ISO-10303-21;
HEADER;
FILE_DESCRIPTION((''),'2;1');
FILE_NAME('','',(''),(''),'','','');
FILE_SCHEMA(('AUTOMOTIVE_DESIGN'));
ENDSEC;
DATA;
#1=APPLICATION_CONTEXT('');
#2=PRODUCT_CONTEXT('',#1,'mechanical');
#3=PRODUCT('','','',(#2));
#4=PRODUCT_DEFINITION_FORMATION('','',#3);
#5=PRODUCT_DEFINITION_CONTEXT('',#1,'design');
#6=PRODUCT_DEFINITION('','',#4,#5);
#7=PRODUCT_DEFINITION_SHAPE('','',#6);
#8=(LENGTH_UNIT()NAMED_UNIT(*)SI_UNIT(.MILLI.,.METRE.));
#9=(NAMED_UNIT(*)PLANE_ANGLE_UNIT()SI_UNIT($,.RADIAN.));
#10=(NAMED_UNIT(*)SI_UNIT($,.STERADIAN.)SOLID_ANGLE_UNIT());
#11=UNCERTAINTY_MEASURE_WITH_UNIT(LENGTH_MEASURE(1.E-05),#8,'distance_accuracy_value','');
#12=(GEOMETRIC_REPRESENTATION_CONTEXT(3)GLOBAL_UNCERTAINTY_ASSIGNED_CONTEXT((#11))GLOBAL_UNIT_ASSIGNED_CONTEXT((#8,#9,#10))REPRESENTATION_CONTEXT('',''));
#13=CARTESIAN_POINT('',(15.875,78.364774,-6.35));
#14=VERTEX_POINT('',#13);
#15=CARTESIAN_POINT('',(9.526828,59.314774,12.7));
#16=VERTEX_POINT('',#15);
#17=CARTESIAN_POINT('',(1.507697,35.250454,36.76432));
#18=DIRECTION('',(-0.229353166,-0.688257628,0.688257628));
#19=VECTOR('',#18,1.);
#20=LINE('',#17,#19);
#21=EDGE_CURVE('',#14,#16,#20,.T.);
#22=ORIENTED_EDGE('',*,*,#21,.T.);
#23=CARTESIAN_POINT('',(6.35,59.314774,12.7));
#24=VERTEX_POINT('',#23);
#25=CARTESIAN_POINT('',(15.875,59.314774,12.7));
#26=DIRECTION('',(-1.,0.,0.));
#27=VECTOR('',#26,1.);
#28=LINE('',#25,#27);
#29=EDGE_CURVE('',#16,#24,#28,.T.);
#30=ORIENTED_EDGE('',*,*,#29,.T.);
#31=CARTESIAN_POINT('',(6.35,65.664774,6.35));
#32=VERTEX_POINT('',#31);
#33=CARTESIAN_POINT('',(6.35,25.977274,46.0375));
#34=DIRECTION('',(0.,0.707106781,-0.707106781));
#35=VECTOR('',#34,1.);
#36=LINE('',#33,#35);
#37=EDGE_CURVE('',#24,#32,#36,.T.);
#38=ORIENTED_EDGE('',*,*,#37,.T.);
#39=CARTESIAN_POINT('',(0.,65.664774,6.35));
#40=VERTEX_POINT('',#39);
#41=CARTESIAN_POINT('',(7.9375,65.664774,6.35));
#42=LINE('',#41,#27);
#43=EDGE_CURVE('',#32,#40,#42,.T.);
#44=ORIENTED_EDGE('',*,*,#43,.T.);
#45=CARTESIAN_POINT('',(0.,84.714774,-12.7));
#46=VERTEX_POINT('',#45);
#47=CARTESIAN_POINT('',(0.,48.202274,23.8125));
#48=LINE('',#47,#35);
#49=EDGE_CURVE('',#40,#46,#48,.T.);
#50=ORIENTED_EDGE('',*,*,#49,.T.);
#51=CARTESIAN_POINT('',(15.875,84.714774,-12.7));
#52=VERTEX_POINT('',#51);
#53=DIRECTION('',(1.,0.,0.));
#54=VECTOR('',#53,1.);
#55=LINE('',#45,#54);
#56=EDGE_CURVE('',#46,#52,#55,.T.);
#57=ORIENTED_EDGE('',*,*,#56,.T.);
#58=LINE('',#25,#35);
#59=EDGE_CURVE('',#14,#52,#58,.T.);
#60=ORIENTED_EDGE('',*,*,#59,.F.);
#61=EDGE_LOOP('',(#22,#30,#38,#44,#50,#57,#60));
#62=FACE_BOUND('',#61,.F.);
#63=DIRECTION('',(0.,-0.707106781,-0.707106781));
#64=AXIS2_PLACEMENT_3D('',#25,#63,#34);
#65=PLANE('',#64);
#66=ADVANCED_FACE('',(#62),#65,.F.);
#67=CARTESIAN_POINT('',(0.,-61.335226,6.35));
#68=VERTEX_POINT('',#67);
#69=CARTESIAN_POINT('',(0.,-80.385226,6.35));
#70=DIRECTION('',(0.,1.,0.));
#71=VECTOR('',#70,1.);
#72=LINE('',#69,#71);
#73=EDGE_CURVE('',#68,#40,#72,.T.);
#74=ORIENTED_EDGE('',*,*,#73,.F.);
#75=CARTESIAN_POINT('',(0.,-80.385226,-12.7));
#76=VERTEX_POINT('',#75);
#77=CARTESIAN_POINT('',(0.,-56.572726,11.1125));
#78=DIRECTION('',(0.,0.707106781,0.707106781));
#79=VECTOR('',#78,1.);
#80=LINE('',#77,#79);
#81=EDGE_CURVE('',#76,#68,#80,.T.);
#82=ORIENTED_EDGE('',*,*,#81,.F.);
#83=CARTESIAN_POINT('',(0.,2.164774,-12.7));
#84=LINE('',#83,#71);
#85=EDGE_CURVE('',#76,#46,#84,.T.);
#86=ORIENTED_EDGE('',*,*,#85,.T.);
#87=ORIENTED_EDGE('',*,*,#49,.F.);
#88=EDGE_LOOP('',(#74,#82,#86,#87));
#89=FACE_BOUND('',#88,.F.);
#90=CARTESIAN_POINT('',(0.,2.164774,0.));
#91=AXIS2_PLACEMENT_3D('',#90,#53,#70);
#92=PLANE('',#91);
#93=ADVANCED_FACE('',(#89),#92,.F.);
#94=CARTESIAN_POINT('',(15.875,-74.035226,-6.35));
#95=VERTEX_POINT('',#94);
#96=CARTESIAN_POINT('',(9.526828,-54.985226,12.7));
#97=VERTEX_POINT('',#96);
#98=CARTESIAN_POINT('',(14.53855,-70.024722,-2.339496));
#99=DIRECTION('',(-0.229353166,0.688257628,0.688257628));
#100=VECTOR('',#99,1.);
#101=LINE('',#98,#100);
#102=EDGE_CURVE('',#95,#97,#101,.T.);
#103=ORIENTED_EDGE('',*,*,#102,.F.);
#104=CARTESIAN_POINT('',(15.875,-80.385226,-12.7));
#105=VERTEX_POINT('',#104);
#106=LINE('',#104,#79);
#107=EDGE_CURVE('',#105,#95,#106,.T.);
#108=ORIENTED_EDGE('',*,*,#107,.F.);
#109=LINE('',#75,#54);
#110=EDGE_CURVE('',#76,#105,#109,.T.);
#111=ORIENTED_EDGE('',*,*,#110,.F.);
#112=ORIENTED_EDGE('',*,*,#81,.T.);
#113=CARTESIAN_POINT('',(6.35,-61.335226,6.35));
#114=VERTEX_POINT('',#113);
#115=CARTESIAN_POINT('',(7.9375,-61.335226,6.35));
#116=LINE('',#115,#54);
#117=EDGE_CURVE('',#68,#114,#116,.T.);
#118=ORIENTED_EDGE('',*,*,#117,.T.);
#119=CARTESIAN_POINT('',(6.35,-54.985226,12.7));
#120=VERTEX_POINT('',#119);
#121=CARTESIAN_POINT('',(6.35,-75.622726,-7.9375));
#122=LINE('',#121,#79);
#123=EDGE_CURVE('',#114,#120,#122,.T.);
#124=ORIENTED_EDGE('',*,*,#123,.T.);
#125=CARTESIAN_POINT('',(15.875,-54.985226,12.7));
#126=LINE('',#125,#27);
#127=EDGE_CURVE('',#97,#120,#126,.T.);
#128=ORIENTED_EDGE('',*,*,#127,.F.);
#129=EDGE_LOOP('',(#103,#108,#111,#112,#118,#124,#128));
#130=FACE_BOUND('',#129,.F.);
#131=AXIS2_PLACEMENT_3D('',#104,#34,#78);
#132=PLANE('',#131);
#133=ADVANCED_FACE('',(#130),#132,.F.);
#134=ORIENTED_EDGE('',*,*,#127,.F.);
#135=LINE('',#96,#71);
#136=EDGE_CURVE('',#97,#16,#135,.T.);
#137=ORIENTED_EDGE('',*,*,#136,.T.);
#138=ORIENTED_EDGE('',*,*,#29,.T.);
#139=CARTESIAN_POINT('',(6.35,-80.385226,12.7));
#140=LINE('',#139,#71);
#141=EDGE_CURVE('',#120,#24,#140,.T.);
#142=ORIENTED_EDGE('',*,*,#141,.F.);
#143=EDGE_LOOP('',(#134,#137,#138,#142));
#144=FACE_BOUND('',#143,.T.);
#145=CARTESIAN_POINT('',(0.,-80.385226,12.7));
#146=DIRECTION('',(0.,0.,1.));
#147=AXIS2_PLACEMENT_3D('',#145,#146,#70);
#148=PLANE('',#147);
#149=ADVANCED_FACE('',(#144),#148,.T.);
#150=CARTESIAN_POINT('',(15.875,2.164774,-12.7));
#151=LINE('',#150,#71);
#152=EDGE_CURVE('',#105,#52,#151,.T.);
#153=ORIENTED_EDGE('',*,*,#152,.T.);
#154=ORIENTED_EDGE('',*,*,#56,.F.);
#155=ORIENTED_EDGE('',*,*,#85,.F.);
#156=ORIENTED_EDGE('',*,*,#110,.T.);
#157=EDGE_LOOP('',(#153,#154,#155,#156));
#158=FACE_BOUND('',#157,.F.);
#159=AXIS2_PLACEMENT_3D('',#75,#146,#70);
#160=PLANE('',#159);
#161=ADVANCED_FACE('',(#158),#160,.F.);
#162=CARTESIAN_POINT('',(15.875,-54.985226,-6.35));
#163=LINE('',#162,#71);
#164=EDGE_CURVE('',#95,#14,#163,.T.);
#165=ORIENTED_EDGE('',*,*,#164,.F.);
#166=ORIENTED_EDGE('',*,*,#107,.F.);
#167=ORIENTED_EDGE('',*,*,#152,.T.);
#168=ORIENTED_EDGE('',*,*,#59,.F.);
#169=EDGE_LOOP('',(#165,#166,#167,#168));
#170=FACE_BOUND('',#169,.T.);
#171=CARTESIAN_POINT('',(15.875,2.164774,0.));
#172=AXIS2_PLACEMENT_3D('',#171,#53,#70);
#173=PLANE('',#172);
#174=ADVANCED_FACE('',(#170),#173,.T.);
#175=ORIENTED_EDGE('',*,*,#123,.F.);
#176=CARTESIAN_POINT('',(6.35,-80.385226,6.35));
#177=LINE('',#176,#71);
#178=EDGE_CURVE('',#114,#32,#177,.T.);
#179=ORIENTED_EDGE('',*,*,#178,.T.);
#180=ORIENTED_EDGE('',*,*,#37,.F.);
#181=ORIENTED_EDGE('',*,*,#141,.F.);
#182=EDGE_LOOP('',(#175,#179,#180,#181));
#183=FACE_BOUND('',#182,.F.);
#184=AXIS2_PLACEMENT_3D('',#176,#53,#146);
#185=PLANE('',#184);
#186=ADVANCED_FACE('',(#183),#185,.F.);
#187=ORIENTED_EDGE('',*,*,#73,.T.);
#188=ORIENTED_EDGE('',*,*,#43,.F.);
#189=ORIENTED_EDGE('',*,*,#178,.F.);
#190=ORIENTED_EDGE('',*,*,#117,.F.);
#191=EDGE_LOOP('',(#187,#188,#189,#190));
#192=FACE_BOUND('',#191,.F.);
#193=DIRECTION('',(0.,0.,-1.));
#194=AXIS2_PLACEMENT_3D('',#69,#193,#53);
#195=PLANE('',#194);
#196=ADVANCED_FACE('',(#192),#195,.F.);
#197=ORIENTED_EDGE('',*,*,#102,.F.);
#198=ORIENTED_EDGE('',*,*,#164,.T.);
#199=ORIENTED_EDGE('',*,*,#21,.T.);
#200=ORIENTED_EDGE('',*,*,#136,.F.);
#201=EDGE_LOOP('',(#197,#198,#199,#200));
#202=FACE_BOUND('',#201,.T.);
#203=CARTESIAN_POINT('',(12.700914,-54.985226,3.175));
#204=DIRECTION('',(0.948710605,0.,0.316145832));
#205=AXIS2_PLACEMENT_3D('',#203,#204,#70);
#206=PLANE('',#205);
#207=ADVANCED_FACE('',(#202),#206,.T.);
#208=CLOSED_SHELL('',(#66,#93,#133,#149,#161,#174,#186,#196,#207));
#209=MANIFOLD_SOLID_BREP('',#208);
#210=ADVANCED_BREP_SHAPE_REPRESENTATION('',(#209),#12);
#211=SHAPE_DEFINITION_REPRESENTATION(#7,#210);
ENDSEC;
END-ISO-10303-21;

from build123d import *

# Parameters (mm, degrees)
F0_W     = 165.1
F0_H     = 25.4
F1_DEPTH = 15.875
F3_W     = 6.35
F3_H     = 6.35
F4_DEPTH = 165.101
F5_DEPTH = 15.876
F6_SIZE2 = 6.348172
F6_SIZE  = 19.05


with BuildPart() as f1:
    # F0 (on Right) → F1 (new body)
    with BuildSketch(Plane.YZ):
        with Locations((2.164774, 0)):
            Rectangle(F0_W, F0_H)
    extrude(amount=F1_DEPTH)

    # F3 (on face) → F4 (cut, through all)
    with BuildSketch(Plane.XZ.offset(80.385226)):
        with Locations((3.175, 9.525)):
            Rectangle(F3_W, F3_H)
    extrude(amount=-F4_DEPTH, mode=Mode.SUBTRACT)

    # F2 (on face) → F5 (cut, through all)
    with BuildSketch(Plane.YZ.offset(15.875)):
        Polygon((-80.385226, 12.7), (-80.385226, -12.7), (-54.985226, 12.7), align=None)
        Polygon((59.314774, 12.7), (84.714774, -12.7), (84.714774, 12.7), align=None)
    extrude(amount=-F5_DEPTH, mode=Mode.SUBTRACT)

    # F6
    f6_edges = [f1.edges().sort_by_distance(p)[0] for p in [
        (15.875, 2.164774, 12.7),
    ]]
    chamfer(f6_edges, length=F6_SIZE, length2=F6_SIZE2)


solid = f1.part
